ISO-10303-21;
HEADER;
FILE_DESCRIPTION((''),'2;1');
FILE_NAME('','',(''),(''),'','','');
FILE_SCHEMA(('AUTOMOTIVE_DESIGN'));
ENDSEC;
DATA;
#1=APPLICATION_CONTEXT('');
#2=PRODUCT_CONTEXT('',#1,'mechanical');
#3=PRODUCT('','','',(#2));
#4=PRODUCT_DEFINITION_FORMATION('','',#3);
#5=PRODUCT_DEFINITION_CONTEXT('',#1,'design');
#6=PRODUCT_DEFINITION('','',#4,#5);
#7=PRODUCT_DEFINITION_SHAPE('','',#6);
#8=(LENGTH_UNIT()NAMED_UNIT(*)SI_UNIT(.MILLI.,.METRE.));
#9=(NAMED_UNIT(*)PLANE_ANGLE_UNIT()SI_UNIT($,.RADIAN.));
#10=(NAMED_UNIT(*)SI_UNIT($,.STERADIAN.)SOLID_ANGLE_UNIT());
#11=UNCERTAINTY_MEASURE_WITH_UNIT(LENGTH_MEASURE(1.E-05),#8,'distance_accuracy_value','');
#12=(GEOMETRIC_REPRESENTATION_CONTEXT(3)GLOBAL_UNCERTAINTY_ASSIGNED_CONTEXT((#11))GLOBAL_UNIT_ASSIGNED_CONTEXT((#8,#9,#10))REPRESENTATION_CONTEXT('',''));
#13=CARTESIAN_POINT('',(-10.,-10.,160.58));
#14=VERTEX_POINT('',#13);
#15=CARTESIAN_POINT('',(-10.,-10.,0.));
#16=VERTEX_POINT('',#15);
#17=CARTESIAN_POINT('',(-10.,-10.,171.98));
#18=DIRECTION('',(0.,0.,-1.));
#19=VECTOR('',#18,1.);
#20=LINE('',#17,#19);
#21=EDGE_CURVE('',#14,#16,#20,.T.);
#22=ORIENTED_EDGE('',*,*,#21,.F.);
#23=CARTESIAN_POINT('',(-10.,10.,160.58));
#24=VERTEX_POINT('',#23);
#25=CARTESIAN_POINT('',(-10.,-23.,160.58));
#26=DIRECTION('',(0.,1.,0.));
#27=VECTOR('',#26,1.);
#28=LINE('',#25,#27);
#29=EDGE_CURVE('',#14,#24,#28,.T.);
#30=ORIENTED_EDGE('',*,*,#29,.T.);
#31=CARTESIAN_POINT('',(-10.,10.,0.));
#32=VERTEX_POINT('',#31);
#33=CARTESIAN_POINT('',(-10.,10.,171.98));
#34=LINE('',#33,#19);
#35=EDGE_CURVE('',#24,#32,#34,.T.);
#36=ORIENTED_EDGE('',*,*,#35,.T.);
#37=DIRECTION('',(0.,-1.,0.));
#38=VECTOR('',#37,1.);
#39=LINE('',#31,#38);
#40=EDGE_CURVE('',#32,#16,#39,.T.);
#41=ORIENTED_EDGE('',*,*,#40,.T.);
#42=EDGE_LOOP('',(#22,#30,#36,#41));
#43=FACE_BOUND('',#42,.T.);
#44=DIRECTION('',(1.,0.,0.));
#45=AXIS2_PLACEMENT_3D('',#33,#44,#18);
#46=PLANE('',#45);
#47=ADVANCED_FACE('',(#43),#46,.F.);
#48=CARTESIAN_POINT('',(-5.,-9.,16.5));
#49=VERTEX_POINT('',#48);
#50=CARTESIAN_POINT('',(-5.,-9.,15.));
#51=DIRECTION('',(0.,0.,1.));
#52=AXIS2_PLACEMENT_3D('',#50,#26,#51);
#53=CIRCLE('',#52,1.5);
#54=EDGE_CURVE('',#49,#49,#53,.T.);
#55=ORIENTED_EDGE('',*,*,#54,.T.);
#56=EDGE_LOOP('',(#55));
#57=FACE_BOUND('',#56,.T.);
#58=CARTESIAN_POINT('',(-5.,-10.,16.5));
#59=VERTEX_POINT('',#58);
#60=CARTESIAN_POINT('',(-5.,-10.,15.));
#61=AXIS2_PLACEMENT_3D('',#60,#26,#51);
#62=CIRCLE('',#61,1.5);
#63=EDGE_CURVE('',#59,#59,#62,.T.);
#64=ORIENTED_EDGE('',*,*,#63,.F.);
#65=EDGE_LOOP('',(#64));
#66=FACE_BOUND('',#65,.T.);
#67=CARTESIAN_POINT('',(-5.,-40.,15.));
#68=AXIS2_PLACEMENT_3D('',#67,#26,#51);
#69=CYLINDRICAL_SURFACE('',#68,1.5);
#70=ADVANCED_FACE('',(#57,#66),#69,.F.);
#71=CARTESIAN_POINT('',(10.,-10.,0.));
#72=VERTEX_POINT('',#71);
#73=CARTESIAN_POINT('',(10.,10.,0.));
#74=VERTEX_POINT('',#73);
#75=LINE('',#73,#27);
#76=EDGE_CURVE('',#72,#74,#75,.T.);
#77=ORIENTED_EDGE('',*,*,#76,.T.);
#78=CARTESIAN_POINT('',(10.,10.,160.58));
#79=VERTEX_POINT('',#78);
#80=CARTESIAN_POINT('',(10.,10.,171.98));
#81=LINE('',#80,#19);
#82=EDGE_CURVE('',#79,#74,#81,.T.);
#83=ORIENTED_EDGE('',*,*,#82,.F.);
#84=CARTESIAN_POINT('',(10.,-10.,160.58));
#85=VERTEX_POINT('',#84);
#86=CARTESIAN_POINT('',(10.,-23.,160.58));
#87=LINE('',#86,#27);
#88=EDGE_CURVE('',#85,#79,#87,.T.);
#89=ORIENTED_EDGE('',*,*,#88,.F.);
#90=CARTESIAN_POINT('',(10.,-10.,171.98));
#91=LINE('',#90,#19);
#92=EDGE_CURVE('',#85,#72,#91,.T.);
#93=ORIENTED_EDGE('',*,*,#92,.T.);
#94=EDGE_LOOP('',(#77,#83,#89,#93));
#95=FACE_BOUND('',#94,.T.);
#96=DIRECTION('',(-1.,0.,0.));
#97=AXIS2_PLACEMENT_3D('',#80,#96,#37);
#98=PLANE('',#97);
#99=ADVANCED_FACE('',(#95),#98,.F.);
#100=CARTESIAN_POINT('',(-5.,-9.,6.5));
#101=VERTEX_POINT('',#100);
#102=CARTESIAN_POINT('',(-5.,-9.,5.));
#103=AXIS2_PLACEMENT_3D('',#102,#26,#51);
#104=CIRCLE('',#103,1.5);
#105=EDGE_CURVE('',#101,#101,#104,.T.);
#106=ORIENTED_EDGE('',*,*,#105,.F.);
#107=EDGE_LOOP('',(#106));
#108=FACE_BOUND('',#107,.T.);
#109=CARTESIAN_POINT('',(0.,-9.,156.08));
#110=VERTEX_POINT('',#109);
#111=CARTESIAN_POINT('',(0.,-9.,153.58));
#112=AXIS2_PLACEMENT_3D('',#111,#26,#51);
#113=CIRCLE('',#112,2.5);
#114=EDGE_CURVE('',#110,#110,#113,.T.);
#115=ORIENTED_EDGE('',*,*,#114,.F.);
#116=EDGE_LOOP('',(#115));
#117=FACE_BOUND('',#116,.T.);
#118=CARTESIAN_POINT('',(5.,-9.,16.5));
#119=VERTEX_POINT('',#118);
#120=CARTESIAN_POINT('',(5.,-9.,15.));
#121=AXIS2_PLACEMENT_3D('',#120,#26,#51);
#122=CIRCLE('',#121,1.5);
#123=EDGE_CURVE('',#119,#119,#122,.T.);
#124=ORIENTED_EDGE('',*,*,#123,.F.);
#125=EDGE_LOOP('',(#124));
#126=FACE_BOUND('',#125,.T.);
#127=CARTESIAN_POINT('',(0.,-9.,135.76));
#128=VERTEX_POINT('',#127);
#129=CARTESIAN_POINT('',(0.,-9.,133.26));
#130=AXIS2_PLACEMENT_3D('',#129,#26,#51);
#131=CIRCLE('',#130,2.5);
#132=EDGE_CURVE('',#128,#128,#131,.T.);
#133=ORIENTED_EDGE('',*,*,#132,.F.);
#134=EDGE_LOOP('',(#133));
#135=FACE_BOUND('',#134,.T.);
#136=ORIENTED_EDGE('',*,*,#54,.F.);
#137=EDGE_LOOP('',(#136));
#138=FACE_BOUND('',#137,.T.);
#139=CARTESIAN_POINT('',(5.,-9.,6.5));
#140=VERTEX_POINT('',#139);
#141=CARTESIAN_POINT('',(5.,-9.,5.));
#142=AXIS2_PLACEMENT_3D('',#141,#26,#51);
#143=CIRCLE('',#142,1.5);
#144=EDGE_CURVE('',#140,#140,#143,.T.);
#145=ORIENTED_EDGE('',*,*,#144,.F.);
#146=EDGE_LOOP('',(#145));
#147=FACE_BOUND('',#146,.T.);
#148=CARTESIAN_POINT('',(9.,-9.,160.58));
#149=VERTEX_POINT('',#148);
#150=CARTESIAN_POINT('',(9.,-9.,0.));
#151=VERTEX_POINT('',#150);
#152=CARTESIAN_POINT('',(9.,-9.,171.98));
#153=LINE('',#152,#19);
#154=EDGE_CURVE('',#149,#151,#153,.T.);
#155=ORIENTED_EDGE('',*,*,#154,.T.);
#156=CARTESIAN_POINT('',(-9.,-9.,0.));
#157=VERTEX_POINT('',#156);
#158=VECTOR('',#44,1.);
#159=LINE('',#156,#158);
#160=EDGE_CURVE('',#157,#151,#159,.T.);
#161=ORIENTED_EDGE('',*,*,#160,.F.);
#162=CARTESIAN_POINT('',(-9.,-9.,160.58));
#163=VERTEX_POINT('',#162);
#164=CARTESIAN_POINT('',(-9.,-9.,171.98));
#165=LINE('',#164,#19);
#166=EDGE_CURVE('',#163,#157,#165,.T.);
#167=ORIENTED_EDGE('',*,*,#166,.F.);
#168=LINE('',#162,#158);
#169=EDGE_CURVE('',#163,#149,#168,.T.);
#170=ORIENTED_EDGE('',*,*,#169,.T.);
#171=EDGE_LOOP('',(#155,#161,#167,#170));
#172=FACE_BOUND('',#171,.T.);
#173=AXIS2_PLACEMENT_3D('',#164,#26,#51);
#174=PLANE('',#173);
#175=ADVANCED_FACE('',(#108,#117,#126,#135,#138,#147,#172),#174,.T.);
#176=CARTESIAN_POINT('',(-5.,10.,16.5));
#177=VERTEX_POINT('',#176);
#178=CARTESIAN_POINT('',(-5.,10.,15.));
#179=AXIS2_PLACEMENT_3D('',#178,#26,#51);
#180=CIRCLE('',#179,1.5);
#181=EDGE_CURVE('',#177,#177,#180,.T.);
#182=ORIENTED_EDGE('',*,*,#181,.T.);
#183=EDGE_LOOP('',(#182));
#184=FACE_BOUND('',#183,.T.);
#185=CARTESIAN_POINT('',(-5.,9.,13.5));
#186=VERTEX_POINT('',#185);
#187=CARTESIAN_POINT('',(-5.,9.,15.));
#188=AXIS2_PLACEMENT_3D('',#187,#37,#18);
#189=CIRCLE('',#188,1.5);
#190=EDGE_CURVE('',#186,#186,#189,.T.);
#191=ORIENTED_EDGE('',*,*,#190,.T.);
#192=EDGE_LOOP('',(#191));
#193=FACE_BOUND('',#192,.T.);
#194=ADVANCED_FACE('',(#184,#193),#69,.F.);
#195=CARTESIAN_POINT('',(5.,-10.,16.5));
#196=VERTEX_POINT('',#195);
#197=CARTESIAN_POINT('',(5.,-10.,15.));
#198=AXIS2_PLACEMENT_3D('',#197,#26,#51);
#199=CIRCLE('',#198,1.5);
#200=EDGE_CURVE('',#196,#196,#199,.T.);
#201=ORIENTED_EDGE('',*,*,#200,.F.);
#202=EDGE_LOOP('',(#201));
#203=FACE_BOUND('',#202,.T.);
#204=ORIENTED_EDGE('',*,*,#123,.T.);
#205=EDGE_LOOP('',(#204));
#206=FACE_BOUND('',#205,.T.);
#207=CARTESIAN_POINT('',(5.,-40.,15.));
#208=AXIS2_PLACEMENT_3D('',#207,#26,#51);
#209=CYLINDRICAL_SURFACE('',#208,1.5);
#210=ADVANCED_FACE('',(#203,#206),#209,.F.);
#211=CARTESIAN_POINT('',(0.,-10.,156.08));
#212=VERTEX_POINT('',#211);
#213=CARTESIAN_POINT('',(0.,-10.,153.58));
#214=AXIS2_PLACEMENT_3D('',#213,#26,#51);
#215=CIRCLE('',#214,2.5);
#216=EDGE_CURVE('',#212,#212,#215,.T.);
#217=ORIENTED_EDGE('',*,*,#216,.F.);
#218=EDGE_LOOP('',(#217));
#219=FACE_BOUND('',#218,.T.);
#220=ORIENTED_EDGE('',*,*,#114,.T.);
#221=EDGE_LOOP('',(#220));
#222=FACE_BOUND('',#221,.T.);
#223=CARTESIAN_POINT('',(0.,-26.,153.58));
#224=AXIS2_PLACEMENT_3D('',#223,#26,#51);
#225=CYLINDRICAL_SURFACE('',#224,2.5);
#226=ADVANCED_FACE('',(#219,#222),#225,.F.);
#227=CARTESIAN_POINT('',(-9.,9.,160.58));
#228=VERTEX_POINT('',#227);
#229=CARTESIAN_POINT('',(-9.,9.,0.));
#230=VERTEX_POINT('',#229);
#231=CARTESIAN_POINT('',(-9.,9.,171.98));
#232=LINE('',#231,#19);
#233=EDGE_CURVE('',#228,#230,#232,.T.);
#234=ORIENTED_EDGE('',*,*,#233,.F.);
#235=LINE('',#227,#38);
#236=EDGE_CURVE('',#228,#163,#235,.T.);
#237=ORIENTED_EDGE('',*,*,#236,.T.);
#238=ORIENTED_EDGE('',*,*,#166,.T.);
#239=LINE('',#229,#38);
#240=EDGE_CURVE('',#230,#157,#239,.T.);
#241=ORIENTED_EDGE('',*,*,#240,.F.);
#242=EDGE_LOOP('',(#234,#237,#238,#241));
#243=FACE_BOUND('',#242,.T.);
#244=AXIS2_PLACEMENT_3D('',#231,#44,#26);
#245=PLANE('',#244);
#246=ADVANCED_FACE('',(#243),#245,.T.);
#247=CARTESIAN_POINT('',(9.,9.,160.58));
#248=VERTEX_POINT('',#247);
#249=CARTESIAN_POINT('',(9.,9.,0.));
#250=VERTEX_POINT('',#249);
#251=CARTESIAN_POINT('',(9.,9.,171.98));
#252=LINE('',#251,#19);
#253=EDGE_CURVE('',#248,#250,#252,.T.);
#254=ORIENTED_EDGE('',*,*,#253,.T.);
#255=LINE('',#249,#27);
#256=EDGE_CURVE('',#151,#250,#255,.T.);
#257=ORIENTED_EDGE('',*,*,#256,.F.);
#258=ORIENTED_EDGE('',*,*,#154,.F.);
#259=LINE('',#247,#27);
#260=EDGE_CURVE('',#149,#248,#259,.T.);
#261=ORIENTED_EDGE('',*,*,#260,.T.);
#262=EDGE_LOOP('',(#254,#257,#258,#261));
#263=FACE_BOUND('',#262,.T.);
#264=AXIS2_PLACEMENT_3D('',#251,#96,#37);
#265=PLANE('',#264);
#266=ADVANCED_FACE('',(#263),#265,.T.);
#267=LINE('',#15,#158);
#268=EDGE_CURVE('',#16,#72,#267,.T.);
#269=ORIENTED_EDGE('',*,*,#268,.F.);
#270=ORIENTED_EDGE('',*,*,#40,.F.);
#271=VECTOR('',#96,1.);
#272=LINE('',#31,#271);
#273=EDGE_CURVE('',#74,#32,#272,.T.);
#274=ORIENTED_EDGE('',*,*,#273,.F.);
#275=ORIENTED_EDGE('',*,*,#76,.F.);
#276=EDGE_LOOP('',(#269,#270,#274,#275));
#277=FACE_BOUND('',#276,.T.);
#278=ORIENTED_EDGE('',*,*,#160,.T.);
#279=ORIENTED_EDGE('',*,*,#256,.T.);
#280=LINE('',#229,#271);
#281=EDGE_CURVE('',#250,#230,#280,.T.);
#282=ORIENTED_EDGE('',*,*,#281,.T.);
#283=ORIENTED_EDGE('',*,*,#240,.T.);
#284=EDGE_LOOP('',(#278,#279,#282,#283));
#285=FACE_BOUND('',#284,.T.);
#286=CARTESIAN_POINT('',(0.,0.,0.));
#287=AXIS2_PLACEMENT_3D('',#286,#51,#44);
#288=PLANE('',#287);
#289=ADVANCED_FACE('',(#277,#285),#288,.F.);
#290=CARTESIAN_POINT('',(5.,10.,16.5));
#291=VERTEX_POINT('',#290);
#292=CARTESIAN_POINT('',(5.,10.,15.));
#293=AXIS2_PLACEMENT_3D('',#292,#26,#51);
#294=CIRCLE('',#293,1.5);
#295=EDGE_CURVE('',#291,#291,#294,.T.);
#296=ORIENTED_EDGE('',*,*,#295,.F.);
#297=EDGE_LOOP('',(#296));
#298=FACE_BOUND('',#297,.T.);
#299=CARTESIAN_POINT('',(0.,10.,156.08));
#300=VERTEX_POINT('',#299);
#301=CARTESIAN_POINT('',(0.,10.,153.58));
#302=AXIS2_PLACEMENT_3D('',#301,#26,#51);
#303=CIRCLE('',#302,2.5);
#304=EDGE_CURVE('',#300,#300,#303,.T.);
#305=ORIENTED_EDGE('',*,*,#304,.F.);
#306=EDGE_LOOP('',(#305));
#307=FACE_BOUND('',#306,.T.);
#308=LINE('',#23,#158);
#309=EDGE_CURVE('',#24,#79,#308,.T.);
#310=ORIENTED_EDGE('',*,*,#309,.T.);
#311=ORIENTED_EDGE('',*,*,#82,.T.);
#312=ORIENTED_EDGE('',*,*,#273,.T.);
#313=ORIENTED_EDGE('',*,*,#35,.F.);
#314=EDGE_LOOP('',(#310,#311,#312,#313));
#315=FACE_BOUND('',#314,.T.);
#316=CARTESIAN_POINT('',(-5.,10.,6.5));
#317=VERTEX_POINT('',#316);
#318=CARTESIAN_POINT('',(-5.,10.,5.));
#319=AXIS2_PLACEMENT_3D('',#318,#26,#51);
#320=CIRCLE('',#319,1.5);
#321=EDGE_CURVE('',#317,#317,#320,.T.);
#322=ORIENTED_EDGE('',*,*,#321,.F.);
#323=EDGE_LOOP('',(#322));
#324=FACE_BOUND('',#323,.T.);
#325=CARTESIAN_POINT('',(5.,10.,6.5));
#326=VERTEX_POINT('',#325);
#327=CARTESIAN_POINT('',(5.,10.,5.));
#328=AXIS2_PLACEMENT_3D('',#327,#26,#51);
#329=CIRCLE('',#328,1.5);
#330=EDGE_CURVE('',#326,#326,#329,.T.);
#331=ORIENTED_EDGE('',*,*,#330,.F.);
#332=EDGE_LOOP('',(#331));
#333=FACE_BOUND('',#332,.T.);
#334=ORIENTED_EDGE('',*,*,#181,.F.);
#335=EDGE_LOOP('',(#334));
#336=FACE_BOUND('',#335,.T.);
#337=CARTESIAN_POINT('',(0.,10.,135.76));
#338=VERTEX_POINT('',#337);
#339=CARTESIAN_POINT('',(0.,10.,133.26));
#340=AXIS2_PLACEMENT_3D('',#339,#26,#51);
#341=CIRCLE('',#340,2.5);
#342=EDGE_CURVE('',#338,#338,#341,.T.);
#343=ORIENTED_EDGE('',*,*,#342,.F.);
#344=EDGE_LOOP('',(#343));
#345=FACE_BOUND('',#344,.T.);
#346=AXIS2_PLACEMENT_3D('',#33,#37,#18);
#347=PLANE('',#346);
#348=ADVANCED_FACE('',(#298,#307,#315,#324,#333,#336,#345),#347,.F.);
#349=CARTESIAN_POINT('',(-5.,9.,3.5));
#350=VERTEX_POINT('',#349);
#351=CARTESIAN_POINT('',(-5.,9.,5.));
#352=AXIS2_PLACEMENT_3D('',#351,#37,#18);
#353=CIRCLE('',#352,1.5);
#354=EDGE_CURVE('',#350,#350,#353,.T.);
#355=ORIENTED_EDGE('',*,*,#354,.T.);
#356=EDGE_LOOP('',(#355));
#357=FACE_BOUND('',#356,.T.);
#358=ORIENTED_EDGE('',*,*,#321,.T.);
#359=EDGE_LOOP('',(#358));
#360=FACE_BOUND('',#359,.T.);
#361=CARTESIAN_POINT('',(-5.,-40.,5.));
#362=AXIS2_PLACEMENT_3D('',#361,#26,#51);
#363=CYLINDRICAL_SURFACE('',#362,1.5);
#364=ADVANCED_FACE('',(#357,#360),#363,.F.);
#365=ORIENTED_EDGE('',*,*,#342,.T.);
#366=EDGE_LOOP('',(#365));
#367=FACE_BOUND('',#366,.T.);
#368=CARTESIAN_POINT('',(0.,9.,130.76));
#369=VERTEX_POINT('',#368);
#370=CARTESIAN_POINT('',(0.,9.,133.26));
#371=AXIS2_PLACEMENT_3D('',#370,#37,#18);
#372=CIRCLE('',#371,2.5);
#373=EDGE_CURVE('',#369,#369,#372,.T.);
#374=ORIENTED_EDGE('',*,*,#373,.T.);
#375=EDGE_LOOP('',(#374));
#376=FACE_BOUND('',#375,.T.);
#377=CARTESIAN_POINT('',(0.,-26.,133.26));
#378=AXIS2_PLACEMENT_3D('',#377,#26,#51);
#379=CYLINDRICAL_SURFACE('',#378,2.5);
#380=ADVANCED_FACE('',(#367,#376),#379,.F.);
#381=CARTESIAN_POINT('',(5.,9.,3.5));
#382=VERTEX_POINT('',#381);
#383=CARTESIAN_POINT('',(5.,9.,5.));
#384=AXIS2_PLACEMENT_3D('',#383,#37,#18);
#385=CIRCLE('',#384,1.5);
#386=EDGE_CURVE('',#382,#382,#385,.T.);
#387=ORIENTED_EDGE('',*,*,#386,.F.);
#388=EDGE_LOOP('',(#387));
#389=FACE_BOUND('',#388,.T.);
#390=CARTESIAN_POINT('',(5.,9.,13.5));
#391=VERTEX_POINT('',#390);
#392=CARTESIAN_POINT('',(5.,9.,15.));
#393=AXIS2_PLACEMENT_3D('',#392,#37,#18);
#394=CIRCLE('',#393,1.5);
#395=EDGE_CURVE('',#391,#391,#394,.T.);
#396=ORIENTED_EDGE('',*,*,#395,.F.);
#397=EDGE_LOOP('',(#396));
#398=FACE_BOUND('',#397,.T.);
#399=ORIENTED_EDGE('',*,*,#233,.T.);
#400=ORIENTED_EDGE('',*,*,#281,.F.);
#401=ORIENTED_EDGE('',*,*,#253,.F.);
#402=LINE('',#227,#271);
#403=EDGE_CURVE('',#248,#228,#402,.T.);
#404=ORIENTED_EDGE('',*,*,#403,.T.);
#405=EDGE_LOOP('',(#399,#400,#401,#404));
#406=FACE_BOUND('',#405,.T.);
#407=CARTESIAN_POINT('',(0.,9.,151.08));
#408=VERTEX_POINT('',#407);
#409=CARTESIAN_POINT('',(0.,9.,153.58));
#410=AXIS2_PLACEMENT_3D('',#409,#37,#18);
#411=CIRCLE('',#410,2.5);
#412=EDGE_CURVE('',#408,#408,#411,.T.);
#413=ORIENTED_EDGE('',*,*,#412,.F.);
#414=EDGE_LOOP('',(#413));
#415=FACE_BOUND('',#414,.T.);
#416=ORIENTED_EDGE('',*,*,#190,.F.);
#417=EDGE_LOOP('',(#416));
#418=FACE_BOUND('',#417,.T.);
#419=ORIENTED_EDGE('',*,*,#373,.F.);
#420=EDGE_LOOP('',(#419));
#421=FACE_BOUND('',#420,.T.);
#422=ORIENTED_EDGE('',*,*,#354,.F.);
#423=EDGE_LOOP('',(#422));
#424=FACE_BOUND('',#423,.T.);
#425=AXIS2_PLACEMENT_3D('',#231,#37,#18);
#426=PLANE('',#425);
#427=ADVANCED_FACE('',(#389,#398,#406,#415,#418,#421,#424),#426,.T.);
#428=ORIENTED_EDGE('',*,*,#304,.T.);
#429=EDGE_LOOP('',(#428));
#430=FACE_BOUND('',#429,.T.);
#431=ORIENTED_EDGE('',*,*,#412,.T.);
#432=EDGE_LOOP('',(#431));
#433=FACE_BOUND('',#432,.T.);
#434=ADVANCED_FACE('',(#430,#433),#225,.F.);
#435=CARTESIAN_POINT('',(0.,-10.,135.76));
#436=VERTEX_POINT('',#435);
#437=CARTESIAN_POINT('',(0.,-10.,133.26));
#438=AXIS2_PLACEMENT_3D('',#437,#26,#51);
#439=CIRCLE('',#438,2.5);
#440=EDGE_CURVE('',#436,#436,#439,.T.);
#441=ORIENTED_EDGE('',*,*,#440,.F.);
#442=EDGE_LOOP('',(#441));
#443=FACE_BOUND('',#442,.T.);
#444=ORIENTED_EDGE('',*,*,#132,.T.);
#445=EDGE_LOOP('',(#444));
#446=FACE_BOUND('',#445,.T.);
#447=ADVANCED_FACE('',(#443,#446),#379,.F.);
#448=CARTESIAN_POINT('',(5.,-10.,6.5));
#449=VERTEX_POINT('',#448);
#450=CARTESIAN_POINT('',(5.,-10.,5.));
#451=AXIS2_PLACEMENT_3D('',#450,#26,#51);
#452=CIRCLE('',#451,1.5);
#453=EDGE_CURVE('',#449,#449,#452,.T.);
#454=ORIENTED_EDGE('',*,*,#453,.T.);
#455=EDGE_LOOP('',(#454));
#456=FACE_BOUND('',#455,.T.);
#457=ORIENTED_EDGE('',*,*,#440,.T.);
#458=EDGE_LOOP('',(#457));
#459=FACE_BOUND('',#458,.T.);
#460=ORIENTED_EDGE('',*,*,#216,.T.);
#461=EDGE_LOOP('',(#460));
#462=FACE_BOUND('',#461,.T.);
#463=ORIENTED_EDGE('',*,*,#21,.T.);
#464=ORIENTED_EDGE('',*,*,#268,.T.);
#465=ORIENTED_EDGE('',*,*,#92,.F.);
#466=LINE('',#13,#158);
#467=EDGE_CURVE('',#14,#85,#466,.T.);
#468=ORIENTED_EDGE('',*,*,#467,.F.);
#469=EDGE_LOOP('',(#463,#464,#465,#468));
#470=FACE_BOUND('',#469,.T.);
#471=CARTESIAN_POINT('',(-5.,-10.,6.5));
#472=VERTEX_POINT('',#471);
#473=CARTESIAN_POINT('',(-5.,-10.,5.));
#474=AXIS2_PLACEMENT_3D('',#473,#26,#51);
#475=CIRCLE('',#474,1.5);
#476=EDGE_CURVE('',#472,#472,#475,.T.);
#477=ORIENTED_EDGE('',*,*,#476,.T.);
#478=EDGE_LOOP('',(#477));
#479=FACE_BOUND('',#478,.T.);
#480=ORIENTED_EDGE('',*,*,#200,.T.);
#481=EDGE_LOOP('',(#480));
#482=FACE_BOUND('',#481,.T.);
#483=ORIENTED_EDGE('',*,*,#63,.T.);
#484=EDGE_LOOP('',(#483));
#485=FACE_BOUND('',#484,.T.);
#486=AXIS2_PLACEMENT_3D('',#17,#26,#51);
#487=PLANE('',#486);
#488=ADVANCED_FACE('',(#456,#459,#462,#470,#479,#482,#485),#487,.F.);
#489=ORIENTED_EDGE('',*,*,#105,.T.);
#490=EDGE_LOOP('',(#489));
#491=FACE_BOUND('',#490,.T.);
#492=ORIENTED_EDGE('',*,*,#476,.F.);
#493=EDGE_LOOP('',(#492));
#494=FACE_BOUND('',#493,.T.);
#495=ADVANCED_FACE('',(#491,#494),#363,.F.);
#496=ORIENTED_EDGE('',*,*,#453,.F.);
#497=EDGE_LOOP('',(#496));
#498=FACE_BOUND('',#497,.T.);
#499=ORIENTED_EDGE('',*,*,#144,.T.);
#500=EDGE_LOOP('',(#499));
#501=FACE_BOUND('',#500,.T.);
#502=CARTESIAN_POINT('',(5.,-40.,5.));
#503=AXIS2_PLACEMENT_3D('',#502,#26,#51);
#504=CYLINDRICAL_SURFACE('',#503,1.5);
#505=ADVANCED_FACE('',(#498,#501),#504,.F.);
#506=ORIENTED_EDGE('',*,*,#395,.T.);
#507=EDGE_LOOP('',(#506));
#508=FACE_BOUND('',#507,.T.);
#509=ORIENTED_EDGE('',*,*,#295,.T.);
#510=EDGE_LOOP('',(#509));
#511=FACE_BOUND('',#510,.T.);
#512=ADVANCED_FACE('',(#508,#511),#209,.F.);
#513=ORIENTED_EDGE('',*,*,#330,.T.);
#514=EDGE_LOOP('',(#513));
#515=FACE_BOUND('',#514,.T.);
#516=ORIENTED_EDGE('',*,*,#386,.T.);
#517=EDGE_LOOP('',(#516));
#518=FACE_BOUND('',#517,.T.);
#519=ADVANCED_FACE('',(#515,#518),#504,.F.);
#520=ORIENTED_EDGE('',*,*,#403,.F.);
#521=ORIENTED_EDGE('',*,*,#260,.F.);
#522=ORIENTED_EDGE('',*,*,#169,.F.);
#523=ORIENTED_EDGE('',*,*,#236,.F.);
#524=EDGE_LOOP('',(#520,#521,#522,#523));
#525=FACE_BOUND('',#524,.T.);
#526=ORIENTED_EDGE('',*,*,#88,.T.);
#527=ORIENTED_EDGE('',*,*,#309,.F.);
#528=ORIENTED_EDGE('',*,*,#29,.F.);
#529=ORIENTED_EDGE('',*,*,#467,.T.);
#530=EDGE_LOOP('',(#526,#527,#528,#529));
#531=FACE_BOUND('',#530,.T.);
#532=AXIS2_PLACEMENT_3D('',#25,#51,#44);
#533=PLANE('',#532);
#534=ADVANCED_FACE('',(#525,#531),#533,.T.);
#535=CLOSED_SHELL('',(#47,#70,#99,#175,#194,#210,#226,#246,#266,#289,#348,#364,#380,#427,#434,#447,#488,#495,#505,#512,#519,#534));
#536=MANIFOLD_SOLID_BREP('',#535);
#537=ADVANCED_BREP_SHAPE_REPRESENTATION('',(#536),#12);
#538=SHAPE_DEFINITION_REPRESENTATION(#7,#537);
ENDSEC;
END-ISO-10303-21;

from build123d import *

# Parameters (mm, degrees)
SKETCH_1_W          = 20
SKETCH_1_H          = 20
SKETCH_1_W_2        = 18
SKETCH_1_H_2        = 18
EXTRUDE_1_DEPTH     = 171.98
SKETCH_2_R          = 1.5
CUT_EXTRUDE_1_DEPTH = 50
SKETCH_4_W          = 20
SKETCH_4_H          = 8.4
CUT_EXTRUDE_2_DEPTH = 21
SKETCH_5_R          = 2.5
CUT_EXTRUDE_3_DEPTH = 36
SKETCH_6_W          = 20
SKETCH_6_H          = 3
CUT_EXTRUDE_4_DEPTH = 33


with BuildPart() as part:
    # 草图1 → 凸台-拉伸1 (new body)
    with BuildSketch(Plane.XY):
        Rectangle(SKETCH_1_W, SKETCH_1_H)
        Rectangle(SKETCH_1_W_2, SKETCH_1_H_2, mode=Mode.SUBTRACT)
    extrude(amount=EXTRUDE_1_DEPTH)

    # 草图2 → 切除-拉伸1 (cut)
    with BuildSketch(Plane(origin=(0, 10, 0), x_dir=(1, 0, 0), z_dir=(0, 1, 0))):
        with Locations((-5, -5)):
            Circle(SKETCH_2_R)
        with Locations((5, -5)):
            Circle(SKETCH_2_R)
        with Locations((-5, -15)):
            Circle(SKETCH_2_R)
        with Locations((5, -15)):
            Circle(SKETCH_2_R)
        with Locations((-5, -235)):
            Circle(SKETCH_2_R)
        with Locations((5, -245)):
            Circle(SKETCH_2_R)
        with Locations((5, -235)):
            Circle(SKETCH_2_R)
        with Locations((-5, -245)):
            Circle(SKETCH_2_R)
    extrude(amount=-CUT_EXTRUDE_1_DEPTH, mode=Mode.SUBTRACT)

    # 草图4 → 切除-拉伸2 (cut, through all)
    with BuildSketch(Plane.XZ.offset(10)):
        with Locations((0, 167.78)):
            Rectangle(SKETCH_4_W, SKETCH_4_H)
    extrude(amount=-CUT_EXTRUDE_2_DEPTH, mode=Mode.SUBTRACT)

    # 草图5 → 切除-拉伸3 (cut)
    with BuildSketch(Plane(origin=(0, 10, 0), x_dir=(1, 0, 0), z_dir=(0, 1, 0))):
        with Locations((0, -153.58)):
            Circle(SKETCH_5_R)
        with Locations((0, -133.26)):
            Circle(SKETCH_5_R)
    extrude(amount=-CUT_EXTRUDE_3_DEPTH, mode=Mode.SUBTRACT)

    # 草图6 → 切除-拉伸4 (cut)
    with BuildSketch(Plane(origin=(0, 10, 0), x_dir=(1, 0, 0), z_dir=(0, 1, 0))):
        with Locations((0, -162.08)):
            Rectangle(SKETCH_6_W, SKETCH_6_H)
    extrude(amount=-CUT_EXTRUDE_4_DEPTH, mode=Mode.SUBTRACT)


solid = part.part
